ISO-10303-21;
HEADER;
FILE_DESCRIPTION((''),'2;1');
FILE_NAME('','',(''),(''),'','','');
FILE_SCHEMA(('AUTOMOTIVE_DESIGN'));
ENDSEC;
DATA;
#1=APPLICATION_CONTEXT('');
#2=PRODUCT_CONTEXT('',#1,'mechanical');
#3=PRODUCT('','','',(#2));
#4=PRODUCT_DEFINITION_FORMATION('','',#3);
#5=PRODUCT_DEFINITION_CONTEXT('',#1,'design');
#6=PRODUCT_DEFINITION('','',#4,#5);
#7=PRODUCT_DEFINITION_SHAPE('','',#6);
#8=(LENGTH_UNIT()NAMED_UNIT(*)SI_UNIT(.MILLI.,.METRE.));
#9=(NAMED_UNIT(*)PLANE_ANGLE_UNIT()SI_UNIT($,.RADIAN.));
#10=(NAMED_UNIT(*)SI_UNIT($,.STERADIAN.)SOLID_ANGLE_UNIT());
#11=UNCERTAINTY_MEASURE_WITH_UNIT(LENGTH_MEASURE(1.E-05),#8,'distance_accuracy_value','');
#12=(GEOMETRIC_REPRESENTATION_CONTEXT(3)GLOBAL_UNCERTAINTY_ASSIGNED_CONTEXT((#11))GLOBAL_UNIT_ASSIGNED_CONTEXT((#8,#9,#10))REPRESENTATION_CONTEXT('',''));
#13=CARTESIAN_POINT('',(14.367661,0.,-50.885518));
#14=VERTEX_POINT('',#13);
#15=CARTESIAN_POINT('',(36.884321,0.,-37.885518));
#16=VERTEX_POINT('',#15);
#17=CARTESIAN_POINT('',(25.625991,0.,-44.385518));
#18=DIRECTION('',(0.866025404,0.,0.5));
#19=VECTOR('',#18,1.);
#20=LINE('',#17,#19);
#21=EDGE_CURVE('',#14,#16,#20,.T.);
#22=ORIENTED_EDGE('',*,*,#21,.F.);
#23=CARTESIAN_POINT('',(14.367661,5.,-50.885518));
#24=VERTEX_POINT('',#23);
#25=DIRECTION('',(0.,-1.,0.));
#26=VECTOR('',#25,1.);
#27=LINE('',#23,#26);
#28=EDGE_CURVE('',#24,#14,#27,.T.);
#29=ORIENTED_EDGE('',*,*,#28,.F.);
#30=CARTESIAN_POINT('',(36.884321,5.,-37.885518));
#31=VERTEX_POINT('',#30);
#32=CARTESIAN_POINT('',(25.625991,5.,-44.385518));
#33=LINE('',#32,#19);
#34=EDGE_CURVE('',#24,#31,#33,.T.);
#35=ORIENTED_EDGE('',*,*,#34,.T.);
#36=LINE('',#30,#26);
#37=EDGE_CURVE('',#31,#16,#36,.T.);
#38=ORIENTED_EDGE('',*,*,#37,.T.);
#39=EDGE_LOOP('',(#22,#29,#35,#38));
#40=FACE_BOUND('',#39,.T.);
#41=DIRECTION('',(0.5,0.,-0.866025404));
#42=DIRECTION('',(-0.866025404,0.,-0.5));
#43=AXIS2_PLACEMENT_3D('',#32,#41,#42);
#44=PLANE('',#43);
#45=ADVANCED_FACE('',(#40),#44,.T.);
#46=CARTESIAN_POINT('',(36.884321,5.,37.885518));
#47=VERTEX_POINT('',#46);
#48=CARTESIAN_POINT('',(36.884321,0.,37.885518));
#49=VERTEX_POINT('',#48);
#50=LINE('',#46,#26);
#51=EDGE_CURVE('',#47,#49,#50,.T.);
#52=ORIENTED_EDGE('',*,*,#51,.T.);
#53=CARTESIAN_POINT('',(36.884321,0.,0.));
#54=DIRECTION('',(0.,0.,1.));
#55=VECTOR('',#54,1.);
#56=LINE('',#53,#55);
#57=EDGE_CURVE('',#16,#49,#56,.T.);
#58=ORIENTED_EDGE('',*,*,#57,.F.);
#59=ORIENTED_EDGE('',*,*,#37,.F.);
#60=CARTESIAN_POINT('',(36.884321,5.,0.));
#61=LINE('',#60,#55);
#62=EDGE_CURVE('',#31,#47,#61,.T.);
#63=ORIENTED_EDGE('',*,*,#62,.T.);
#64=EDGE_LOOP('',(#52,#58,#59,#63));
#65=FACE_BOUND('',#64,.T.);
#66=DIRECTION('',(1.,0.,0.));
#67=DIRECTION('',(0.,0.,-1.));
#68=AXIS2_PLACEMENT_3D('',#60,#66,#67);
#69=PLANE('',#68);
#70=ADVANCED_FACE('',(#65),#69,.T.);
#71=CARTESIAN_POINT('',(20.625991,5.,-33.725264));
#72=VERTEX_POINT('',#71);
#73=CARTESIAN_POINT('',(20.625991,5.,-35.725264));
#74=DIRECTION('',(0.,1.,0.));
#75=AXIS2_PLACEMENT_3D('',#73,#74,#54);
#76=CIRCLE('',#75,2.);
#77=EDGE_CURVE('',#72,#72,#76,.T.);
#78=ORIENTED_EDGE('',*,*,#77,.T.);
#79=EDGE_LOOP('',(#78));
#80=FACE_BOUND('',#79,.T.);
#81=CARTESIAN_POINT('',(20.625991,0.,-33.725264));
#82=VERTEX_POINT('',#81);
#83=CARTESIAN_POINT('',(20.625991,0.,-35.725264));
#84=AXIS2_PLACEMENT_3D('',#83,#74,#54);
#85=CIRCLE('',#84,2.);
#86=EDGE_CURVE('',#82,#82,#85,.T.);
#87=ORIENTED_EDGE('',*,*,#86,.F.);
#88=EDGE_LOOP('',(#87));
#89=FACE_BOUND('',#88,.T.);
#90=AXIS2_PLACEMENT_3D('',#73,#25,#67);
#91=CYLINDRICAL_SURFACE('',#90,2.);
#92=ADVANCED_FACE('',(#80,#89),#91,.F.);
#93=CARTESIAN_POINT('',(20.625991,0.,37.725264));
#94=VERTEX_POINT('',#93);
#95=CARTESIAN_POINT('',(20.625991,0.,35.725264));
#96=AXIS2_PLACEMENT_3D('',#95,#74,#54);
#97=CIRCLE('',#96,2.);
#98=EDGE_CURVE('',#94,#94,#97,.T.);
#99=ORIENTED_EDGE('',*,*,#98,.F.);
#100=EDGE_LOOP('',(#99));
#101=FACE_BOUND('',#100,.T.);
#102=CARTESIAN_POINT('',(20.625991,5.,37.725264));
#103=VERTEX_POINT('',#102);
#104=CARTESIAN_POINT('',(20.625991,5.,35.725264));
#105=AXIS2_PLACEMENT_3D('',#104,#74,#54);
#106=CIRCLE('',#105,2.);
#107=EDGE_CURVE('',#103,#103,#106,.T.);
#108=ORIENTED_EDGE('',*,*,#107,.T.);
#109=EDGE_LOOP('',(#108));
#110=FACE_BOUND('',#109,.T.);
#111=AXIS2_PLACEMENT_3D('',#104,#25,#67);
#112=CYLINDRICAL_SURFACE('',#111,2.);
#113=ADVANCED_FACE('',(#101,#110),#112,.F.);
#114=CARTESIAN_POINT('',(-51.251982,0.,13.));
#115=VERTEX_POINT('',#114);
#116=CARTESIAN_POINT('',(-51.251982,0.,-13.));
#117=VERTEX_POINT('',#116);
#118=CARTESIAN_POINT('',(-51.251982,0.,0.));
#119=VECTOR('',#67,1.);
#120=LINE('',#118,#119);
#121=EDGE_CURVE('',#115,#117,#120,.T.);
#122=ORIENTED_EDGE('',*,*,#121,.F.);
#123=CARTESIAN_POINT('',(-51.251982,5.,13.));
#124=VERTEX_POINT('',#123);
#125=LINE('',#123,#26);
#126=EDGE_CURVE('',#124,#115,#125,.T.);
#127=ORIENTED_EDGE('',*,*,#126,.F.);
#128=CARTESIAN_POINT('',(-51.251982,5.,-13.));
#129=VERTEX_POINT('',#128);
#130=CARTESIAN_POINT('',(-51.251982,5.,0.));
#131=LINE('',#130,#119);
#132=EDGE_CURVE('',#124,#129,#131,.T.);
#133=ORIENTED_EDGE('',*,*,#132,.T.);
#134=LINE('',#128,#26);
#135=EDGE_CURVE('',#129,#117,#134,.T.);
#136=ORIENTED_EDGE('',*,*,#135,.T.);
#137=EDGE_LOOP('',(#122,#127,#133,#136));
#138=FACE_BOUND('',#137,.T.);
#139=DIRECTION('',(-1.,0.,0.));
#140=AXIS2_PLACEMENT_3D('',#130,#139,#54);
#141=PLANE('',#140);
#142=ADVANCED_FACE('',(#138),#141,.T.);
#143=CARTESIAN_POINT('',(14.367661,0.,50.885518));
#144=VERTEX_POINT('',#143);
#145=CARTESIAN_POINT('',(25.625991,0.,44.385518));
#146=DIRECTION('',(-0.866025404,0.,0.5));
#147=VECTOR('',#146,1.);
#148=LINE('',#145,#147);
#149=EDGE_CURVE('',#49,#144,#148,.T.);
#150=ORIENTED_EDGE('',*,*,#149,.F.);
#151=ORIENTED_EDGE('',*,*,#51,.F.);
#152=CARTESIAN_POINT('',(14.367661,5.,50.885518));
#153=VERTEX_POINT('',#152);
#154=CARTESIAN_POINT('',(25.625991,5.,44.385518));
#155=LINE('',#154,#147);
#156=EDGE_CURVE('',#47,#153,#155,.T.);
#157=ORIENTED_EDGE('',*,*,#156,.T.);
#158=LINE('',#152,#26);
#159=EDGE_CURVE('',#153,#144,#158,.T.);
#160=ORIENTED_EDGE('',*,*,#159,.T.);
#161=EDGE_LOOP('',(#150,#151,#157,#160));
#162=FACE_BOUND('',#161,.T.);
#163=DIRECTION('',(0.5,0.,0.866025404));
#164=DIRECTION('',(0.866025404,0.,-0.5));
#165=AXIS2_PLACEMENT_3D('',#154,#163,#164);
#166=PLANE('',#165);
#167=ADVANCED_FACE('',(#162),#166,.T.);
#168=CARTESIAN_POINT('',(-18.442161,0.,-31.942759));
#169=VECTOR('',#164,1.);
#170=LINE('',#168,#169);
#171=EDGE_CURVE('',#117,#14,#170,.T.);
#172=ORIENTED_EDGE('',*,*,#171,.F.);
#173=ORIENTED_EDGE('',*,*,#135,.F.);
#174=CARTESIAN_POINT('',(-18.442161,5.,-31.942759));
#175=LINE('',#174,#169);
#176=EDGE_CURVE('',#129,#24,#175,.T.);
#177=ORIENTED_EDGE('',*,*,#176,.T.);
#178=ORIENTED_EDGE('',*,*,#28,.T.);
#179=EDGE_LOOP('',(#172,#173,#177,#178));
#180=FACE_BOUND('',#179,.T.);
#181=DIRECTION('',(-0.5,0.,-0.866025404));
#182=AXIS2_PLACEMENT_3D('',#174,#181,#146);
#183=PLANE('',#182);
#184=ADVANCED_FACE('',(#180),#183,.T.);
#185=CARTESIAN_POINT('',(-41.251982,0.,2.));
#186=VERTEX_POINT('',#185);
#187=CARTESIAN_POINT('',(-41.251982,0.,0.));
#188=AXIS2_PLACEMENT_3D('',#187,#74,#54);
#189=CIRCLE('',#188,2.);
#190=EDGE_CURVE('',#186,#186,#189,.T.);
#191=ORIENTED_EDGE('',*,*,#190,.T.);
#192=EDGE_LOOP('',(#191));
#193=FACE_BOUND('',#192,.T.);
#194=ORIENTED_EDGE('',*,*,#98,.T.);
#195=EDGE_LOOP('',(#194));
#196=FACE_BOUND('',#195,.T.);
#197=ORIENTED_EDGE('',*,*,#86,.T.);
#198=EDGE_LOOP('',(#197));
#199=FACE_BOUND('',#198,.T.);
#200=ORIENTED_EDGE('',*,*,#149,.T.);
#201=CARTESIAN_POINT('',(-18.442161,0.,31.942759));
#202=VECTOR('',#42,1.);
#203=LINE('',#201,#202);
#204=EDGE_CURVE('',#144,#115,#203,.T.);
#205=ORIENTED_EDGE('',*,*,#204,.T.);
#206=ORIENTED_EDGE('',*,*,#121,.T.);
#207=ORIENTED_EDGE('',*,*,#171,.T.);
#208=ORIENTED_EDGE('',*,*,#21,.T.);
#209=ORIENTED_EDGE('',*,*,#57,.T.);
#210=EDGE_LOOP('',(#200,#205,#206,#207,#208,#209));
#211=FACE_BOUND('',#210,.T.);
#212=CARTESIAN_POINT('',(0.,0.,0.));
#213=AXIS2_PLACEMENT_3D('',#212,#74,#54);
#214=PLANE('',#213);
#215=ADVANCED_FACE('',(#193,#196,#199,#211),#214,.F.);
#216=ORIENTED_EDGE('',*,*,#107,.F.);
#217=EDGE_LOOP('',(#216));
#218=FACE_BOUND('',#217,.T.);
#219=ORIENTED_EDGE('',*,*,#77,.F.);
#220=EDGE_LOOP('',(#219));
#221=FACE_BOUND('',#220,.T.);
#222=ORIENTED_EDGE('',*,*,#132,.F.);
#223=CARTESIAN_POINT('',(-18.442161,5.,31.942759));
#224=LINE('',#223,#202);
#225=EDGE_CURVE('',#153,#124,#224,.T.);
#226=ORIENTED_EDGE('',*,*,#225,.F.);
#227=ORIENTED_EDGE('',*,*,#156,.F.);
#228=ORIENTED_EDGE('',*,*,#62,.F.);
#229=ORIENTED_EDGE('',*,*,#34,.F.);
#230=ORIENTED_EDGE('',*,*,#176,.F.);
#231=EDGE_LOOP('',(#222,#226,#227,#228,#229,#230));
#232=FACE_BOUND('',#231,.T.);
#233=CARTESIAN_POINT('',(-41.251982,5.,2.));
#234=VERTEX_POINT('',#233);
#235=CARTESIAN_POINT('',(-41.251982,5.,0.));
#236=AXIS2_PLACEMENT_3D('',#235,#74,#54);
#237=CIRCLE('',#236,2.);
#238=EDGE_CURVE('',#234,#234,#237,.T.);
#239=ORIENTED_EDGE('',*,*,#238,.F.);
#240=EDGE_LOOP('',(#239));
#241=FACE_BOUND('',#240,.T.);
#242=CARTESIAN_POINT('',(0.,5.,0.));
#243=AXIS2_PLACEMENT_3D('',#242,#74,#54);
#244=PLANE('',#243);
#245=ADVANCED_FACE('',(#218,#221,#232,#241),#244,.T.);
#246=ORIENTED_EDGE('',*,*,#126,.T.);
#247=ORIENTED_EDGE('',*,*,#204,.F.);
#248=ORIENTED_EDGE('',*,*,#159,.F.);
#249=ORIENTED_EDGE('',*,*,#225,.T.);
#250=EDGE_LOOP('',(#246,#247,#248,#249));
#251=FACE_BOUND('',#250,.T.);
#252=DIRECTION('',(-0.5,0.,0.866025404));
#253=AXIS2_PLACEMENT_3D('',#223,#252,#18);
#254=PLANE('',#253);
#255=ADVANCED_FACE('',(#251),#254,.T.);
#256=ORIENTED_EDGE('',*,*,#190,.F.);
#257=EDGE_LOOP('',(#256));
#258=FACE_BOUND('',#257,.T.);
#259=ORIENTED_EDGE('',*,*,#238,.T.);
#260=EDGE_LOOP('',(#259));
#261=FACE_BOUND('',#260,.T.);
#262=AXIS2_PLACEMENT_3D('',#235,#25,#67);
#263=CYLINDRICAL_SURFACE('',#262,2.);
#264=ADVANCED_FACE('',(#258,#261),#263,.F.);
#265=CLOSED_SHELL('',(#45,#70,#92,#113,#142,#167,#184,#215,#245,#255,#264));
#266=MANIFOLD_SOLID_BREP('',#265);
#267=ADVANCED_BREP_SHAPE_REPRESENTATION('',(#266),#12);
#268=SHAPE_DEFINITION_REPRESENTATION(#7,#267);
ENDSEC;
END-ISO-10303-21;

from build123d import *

# Parameters (mm, degrees)
SKETCH16_R          = 2
BOSS_EXTRUDE1_DEPTH = 5


with BuildPart() as part:
    # Sketch16 → Boss-Extrude1 (new body)
    with BuildSketch(Plane(origin=(0, 0, 0), x_dir=(1, 0, 0), z_dir=(0, 1, 0))):
        Polygon((14.367660585, -50.88551812), (-51.251981669, -13), (-51.251981669, 13), (14.367660585, 50.88551812), (36.884321084, 37.88551812), (36.884321084, -37.88551812), align=None)
        with Locations(Location((20.625990835, -35.725264082, 0), (0, 0, 270))):
            Circle(SKETCH16_R, mode=Mode.SUBTRACT)
        with Locations(Location((20.625990835, 35.725264082, 0), (0, 0, 270))):
            Circle(SKETCH16_R, mode=Mode.SUBTRACT)
        with Locations(Location((-41.251981669, 0, 0), (0, 0, 270))):
            Circle(SKETCH16_R, mode=Mode.SUBTRACT)
    extrude(amount=BOSS_EXTRUDE1_DEPTH)


solid = part.part
